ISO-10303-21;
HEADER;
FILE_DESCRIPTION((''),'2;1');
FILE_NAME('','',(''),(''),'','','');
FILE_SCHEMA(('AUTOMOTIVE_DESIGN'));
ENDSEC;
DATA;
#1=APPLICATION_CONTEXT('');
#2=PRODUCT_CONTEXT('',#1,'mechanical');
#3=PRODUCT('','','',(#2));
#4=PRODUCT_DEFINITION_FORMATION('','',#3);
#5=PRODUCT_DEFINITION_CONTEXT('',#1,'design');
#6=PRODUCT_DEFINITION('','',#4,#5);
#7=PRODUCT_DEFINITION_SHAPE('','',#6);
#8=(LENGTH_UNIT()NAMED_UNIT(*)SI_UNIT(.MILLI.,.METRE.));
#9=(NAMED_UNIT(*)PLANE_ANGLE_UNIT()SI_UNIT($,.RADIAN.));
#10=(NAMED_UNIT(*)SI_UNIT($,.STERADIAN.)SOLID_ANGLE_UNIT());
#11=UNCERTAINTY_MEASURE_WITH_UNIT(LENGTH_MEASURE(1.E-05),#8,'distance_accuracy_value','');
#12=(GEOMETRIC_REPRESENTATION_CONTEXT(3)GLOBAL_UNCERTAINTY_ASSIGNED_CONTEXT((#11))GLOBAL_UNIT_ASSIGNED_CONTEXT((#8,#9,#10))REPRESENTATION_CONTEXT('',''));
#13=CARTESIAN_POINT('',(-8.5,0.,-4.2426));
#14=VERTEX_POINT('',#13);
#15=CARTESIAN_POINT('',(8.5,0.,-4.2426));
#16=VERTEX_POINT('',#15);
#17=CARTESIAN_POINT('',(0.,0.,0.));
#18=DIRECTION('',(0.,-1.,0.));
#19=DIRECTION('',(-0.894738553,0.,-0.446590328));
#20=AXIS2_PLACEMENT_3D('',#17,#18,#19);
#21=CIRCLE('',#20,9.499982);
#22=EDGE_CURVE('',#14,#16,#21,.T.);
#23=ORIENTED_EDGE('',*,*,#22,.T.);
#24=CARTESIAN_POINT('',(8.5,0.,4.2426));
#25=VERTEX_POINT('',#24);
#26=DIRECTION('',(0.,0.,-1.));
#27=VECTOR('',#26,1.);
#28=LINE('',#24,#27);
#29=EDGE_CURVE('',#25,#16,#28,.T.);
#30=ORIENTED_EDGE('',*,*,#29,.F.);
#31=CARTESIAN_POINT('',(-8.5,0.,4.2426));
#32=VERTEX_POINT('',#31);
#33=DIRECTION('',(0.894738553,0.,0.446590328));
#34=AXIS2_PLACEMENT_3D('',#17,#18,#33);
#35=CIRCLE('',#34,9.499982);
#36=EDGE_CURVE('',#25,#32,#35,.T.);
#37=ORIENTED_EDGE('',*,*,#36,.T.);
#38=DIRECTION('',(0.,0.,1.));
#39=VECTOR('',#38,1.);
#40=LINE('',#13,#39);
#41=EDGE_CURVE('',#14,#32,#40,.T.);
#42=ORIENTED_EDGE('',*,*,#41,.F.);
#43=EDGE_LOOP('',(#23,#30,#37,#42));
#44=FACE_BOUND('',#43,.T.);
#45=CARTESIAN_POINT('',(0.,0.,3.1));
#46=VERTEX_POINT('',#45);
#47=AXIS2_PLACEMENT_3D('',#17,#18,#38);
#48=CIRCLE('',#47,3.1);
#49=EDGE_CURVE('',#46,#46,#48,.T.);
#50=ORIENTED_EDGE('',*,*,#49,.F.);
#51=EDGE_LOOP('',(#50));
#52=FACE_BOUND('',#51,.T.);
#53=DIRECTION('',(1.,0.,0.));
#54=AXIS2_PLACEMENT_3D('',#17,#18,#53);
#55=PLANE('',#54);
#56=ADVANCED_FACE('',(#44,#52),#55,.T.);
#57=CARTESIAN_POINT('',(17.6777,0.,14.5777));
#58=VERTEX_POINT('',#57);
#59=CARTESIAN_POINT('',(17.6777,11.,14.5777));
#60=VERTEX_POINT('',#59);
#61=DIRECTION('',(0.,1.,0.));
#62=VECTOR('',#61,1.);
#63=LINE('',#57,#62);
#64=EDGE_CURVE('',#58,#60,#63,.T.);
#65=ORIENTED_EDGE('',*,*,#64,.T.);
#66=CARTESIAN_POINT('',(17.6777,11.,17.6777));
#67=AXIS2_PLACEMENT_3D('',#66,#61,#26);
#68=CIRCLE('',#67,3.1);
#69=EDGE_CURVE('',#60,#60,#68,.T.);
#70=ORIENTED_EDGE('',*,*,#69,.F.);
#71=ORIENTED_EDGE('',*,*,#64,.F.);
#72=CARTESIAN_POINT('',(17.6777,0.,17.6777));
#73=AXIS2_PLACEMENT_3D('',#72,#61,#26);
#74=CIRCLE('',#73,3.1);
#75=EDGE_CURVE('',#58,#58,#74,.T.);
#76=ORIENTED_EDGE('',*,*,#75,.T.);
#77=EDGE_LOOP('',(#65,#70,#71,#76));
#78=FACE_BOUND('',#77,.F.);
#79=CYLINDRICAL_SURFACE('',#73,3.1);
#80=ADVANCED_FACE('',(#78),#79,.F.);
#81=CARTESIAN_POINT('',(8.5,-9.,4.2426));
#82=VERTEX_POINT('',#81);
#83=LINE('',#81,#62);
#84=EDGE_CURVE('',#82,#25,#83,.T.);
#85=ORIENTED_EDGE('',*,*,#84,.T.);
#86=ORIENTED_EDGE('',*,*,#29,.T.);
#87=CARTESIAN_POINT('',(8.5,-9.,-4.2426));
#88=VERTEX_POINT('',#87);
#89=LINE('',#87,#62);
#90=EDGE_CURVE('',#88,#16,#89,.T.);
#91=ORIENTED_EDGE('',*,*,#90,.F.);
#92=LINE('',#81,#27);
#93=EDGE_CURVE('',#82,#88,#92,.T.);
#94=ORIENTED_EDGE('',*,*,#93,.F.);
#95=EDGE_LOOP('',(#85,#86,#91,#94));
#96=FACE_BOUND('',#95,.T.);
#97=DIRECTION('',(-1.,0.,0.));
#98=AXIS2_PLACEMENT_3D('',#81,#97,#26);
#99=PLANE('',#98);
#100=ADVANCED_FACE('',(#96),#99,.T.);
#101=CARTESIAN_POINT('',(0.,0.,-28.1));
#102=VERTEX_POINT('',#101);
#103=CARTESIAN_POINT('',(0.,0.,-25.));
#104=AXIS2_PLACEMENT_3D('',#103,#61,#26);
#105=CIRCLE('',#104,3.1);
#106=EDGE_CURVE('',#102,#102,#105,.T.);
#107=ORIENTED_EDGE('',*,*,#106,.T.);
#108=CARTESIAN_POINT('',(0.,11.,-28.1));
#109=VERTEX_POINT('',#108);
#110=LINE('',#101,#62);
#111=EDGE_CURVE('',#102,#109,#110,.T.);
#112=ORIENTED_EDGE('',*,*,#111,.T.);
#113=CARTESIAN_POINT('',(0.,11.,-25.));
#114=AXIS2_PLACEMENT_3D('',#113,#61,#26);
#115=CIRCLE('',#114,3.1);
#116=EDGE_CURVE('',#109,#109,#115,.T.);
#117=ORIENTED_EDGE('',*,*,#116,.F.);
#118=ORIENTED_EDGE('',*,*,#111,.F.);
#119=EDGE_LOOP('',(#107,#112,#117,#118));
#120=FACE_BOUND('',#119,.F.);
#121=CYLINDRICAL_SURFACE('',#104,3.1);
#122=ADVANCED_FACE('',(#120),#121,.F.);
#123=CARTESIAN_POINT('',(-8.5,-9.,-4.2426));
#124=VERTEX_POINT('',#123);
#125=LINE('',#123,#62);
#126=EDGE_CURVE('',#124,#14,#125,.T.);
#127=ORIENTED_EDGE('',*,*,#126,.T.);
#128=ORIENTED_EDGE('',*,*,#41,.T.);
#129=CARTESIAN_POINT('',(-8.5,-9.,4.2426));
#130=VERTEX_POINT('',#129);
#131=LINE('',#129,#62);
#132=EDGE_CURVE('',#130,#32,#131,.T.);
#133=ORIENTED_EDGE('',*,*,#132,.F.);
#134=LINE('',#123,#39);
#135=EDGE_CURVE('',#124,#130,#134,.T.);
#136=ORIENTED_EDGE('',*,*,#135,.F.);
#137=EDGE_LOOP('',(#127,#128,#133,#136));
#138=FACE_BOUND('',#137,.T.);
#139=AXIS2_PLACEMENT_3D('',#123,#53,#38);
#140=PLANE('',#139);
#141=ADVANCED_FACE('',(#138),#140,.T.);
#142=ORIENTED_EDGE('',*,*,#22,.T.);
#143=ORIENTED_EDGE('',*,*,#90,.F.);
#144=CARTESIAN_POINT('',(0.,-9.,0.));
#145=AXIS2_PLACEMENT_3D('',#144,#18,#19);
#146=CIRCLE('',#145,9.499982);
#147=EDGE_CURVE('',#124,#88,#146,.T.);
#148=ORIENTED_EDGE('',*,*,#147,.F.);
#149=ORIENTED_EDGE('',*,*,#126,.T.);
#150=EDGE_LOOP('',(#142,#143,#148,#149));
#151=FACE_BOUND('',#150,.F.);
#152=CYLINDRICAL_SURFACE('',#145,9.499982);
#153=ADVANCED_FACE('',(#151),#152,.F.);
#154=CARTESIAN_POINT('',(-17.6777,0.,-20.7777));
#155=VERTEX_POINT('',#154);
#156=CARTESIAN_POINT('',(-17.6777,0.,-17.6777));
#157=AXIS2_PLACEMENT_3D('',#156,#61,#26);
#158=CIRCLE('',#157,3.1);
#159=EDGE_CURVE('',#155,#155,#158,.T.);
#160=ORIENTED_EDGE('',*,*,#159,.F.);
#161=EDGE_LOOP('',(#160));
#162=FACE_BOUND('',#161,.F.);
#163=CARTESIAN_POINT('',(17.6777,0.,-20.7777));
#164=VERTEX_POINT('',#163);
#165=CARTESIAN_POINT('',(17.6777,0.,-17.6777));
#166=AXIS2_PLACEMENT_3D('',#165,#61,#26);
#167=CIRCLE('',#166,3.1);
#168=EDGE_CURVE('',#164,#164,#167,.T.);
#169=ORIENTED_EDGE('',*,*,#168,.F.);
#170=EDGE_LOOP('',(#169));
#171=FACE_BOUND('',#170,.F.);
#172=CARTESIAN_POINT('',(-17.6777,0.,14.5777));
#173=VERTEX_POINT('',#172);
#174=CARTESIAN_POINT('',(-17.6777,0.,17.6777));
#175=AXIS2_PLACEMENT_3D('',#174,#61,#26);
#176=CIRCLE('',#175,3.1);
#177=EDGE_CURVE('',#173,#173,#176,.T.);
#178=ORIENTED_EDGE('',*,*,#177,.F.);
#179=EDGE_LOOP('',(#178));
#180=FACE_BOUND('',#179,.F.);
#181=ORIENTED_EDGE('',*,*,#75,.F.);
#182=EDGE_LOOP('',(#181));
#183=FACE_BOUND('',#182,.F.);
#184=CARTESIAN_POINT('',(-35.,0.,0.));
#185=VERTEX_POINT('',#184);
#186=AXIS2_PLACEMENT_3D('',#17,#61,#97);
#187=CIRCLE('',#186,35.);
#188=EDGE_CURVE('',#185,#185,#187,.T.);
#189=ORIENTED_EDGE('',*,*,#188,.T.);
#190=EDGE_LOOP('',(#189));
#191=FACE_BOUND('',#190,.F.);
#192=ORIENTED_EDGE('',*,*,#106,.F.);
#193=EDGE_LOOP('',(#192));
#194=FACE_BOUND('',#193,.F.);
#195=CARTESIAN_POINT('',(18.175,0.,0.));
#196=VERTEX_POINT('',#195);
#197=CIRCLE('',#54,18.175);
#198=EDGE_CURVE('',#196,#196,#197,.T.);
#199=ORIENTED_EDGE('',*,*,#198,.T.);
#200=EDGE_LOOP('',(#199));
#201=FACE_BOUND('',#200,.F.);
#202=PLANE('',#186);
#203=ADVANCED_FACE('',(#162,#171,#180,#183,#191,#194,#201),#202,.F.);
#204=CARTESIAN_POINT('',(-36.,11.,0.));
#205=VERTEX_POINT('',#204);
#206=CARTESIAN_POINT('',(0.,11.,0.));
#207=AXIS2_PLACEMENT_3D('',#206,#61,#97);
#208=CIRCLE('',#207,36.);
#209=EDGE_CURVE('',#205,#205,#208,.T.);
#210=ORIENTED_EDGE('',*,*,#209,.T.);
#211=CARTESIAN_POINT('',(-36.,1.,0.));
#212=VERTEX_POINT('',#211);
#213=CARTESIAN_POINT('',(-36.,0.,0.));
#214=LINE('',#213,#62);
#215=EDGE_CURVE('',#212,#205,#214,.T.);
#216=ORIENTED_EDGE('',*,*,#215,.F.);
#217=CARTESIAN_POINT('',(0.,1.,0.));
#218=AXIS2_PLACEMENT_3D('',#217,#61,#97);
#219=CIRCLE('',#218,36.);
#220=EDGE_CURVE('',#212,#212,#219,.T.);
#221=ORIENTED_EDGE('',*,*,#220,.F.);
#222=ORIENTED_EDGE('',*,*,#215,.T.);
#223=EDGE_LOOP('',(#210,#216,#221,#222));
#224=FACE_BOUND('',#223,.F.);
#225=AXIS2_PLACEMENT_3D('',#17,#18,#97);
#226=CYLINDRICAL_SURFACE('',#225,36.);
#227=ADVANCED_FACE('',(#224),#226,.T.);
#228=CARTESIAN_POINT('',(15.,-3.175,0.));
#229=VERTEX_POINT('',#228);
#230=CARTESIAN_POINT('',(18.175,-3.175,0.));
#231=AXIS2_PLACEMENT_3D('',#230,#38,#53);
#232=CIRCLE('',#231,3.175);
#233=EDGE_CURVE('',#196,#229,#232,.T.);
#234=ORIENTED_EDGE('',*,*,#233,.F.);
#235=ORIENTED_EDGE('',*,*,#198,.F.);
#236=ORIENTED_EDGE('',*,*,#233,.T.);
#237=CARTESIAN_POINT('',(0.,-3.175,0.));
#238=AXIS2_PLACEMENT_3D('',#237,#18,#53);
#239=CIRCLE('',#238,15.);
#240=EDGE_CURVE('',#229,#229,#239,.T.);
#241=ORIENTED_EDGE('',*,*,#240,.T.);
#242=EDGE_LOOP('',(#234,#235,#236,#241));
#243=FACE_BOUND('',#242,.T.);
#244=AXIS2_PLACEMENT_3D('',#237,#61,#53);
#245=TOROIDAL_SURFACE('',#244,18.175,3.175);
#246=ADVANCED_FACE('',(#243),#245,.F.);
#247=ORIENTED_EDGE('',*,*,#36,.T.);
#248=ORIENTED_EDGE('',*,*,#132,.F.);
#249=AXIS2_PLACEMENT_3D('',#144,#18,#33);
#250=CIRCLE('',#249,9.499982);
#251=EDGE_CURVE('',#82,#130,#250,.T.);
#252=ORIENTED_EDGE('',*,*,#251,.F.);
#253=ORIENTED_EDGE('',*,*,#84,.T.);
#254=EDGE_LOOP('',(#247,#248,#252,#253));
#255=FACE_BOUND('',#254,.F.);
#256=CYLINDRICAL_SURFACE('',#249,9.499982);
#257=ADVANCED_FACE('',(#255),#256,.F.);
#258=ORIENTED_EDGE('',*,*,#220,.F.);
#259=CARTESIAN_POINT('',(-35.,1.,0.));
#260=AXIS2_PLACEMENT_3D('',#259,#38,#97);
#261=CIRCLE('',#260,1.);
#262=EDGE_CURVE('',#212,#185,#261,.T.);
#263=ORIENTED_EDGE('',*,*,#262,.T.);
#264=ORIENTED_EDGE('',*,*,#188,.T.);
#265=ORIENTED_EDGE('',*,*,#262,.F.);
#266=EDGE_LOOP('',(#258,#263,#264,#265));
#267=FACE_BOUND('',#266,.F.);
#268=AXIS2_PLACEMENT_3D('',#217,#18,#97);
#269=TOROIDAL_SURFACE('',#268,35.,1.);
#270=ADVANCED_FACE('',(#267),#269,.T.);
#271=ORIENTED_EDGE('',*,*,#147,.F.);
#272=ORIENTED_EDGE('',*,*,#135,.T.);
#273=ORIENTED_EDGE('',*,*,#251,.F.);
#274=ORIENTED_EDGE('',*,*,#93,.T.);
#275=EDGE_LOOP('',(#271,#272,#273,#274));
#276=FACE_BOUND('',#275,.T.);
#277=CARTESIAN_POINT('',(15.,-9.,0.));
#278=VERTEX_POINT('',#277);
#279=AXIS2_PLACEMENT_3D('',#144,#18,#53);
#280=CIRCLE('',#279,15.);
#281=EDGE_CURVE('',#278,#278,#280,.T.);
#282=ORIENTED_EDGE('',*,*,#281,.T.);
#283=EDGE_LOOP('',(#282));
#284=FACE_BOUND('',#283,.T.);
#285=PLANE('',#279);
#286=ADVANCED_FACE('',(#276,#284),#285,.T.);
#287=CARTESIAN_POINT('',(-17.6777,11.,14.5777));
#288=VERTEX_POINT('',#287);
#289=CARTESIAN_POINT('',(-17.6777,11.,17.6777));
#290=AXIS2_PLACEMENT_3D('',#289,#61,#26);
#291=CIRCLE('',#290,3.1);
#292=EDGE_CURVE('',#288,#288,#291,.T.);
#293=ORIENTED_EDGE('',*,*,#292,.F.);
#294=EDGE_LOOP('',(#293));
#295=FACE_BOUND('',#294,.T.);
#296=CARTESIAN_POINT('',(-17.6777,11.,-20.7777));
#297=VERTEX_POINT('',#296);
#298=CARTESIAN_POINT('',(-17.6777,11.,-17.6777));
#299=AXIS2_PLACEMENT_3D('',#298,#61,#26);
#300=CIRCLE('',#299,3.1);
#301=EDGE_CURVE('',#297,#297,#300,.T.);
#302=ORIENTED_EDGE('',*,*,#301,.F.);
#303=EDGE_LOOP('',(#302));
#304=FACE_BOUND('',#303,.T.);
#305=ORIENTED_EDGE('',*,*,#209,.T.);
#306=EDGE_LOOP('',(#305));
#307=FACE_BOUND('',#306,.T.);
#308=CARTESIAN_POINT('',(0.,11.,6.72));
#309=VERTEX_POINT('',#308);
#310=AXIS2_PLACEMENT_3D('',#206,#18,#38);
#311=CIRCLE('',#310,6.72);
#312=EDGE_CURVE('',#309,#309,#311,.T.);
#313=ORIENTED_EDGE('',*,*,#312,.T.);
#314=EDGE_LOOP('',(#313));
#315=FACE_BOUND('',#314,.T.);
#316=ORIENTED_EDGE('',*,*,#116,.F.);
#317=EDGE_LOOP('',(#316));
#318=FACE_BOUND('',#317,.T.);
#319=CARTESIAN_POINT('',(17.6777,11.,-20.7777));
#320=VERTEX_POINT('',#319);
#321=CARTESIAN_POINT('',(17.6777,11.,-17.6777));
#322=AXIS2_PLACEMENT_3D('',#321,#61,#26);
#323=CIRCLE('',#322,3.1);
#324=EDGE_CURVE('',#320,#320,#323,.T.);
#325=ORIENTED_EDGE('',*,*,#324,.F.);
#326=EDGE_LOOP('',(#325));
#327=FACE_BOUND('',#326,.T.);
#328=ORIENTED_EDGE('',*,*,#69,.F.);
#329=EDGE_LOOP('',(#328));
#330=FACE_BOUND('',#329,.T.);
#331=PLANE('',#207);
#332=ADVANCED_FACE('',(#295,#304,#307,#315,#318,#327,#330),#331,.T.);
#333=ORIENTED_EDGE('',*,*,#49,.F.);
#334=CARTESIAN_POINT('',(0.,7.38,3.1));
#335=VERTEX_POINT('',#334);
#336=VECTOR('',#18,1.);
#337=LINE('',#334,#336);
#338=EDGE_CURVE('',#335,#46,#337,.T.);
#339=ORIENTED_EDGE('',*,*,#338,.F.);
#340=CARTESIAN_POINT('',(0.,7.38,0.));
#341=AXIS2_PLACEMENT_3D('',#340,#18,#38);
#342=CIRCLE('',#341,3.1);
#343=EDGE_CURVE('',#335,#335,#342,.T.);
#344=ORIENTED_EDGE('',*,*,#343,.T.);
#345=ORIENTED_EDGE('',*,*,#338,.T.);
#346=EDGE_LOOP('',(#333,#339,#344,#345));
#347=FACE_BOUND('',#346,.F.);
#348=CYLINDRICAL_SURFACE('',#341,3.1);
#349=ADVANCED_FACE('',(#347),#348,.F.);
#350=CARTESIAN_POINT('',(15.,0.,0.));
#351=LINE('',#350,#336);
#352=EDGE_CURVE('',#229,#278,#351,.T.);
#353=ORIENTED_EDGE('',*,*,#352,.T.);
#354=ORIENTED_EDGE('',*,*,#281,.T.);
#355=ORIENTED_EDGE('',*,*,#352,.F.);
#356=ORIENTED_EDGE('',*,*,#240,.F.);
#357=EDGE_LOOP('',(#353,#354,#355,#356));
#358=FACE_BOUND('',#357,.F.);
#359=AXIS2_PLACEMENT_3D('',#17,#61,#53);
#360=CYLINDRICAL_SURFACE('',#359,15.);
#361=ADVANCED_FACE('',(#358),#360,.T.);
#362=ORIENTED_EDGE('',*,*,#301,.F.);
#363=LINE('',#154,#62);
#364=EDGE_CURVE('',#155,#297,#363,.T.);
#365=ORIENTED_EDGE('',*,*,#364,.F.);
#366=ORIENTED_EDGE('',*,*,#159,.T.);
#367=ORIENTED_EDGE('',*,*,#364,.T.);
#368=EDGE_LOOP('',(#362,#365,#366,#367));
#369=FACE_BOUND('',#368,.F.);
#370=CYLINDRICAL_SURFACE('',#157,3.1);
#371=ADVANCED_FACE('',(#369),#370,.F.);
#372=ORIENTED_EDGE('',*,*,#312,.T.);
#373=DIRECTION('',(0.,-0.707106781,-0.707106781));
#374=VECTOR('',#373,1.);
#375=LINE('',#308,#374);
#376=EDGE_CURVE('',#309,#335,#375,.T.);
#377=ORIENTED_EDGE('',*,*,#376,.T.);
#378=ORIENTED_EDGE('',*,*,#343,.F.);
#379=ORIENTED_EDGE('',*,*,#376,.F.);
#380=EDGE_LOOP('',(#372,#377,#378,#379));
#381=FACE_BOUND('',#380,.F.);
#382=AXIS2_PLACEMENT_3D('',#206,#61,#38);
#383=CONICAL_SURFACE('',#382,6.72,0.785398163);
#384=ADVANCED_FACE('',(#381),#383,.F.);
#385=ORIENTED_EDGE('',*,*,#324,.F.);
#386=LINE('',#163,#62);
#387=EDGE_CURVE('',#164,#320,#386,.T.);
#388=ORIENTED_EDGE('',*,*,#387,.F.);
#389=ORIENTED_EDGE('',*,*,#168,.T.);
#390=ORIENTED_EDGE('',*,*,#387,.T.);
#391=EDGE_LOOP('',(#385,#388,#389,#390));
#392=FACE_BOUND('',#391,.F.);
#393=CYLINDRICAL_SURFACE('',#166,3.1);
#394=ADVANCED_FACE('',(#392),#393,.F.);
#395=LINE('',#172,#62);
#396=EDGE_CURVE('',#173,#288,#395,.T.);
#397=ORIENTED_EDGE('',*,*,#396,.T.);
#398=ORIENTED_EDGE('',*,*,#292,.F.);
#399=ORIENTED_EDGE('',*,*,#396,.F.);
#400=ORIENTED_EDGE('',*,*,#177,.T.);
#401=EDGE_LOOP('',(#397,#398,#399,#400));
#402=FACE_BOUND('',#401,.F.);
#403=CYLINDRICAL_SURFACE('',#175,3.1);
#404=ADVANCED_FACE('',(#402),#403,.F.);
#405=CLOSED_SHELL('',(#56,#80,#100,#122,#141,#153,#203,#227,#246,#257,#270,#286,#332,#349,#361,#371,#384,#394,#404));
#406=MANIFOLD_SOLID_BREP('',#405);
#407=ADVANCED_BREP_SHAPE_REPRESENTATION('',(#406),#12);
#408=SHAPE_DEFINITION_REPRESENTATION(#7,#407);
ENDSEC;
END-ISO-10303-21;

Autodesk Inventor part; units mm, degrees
ref_plane "YZ Plane" through (0, 0, 0) normal (1, 0, 0) x (0, 1, 0)
ref_plane "XZ Plane" through (0, 0, 0) normal (0, 1, 0) x (-1, 0, 0)
ref_plane "XY Plane" through (0, 0, 0) normal (0, 0, 1) x (1, 0, 0)
sketch "Sketch1" plane through (0, 0, 0) normal (0, 1, 0) x (-1, 0, 0)
  circle A0 centre (0, 0) radius 36
  dimension "d0" = 72
extrude "Extrusion1" add sketch "Sketch1" along normal blind 11
sketch "Sketch2" plane through (0, 0, 0) normal (0, -1, 0) x (1, 0, 0)
  line L0 (0, -58.3451) -> (0, 0) construction
  line L1 (0, 0) -> (-17.6777, -17.6777) construction
  point P0 (0, -25)
  point P1 (17.6777, -17.6777)
  point P2 (17.6777, 17.6777)
  point P3 (-17.6777, 17.6777)
  dimension "d84" = 45
  dimension "d85" = 25
  dimension "d86" = 25
  dimension "d89" = 360
fillet "Fillet2" radius 1 1 edges at (36, 0, 0)
sketch "Sketch10" plane through (0, 0, 0) normal (0, -1, 0) x (1, 0, 0)
  circle A0 centre (0, 0) radius 15
  dimension "d66" = 30
extrude "Extrusion6" add sketch "Sketch10" along normal blind 9
fillet "Fillet4" radius 3.175 1 edges at (-15, 0, 0)
sketch "Sketch11" plane through (0, -9, 0) normal (0, -1, 0) x (1, 0, 0)
  line L0 (-8.5, -4.2426) -> (-8.5, 4.2426)
  line L1 (8.5, 4.2426) -> (8.5, -4.2426)
  arc A0 (-8.5, -4.2426) -> (8.5, -4.2426) centre (0, 0) ccw
  arc A1 (8.5, 4.2426) -> (-8.5, 4.2426) centre (0, 0) ccw
  dimension "d71" = 17
  dimension "d72" = 8.5
  dimension "d73" = 9.5
  dimension "d74" = 9.5
extrude "Extrusion7" cut sketch "Sketch11" against normal blind 9
sketch "Sketch12" plane through (0, 11, 0) normal (0, 1, 0) x (1, 0, 0)
  point P0 (0, 0)
  point P1 (0, 0)
hole "Hole5" at (0, 11, 0) direction (0, -1, 0) diameter 6.2 end through all countersink diameter 13.44 countersink angle 90
hole "Hole6" at (-17.6777, 0, -17.6777) at (0, 0, -25) at (17.6777, 0, -17.6777) at (17.6777, 0, 17.6777) at (-17.6777, 0, 17.6777) direction (0, 1, 0) diameter 6.2 end through all
equation "\"d72\" = 0.5 * d71"
properties part number "baseplate" material "PBT Plastic"
